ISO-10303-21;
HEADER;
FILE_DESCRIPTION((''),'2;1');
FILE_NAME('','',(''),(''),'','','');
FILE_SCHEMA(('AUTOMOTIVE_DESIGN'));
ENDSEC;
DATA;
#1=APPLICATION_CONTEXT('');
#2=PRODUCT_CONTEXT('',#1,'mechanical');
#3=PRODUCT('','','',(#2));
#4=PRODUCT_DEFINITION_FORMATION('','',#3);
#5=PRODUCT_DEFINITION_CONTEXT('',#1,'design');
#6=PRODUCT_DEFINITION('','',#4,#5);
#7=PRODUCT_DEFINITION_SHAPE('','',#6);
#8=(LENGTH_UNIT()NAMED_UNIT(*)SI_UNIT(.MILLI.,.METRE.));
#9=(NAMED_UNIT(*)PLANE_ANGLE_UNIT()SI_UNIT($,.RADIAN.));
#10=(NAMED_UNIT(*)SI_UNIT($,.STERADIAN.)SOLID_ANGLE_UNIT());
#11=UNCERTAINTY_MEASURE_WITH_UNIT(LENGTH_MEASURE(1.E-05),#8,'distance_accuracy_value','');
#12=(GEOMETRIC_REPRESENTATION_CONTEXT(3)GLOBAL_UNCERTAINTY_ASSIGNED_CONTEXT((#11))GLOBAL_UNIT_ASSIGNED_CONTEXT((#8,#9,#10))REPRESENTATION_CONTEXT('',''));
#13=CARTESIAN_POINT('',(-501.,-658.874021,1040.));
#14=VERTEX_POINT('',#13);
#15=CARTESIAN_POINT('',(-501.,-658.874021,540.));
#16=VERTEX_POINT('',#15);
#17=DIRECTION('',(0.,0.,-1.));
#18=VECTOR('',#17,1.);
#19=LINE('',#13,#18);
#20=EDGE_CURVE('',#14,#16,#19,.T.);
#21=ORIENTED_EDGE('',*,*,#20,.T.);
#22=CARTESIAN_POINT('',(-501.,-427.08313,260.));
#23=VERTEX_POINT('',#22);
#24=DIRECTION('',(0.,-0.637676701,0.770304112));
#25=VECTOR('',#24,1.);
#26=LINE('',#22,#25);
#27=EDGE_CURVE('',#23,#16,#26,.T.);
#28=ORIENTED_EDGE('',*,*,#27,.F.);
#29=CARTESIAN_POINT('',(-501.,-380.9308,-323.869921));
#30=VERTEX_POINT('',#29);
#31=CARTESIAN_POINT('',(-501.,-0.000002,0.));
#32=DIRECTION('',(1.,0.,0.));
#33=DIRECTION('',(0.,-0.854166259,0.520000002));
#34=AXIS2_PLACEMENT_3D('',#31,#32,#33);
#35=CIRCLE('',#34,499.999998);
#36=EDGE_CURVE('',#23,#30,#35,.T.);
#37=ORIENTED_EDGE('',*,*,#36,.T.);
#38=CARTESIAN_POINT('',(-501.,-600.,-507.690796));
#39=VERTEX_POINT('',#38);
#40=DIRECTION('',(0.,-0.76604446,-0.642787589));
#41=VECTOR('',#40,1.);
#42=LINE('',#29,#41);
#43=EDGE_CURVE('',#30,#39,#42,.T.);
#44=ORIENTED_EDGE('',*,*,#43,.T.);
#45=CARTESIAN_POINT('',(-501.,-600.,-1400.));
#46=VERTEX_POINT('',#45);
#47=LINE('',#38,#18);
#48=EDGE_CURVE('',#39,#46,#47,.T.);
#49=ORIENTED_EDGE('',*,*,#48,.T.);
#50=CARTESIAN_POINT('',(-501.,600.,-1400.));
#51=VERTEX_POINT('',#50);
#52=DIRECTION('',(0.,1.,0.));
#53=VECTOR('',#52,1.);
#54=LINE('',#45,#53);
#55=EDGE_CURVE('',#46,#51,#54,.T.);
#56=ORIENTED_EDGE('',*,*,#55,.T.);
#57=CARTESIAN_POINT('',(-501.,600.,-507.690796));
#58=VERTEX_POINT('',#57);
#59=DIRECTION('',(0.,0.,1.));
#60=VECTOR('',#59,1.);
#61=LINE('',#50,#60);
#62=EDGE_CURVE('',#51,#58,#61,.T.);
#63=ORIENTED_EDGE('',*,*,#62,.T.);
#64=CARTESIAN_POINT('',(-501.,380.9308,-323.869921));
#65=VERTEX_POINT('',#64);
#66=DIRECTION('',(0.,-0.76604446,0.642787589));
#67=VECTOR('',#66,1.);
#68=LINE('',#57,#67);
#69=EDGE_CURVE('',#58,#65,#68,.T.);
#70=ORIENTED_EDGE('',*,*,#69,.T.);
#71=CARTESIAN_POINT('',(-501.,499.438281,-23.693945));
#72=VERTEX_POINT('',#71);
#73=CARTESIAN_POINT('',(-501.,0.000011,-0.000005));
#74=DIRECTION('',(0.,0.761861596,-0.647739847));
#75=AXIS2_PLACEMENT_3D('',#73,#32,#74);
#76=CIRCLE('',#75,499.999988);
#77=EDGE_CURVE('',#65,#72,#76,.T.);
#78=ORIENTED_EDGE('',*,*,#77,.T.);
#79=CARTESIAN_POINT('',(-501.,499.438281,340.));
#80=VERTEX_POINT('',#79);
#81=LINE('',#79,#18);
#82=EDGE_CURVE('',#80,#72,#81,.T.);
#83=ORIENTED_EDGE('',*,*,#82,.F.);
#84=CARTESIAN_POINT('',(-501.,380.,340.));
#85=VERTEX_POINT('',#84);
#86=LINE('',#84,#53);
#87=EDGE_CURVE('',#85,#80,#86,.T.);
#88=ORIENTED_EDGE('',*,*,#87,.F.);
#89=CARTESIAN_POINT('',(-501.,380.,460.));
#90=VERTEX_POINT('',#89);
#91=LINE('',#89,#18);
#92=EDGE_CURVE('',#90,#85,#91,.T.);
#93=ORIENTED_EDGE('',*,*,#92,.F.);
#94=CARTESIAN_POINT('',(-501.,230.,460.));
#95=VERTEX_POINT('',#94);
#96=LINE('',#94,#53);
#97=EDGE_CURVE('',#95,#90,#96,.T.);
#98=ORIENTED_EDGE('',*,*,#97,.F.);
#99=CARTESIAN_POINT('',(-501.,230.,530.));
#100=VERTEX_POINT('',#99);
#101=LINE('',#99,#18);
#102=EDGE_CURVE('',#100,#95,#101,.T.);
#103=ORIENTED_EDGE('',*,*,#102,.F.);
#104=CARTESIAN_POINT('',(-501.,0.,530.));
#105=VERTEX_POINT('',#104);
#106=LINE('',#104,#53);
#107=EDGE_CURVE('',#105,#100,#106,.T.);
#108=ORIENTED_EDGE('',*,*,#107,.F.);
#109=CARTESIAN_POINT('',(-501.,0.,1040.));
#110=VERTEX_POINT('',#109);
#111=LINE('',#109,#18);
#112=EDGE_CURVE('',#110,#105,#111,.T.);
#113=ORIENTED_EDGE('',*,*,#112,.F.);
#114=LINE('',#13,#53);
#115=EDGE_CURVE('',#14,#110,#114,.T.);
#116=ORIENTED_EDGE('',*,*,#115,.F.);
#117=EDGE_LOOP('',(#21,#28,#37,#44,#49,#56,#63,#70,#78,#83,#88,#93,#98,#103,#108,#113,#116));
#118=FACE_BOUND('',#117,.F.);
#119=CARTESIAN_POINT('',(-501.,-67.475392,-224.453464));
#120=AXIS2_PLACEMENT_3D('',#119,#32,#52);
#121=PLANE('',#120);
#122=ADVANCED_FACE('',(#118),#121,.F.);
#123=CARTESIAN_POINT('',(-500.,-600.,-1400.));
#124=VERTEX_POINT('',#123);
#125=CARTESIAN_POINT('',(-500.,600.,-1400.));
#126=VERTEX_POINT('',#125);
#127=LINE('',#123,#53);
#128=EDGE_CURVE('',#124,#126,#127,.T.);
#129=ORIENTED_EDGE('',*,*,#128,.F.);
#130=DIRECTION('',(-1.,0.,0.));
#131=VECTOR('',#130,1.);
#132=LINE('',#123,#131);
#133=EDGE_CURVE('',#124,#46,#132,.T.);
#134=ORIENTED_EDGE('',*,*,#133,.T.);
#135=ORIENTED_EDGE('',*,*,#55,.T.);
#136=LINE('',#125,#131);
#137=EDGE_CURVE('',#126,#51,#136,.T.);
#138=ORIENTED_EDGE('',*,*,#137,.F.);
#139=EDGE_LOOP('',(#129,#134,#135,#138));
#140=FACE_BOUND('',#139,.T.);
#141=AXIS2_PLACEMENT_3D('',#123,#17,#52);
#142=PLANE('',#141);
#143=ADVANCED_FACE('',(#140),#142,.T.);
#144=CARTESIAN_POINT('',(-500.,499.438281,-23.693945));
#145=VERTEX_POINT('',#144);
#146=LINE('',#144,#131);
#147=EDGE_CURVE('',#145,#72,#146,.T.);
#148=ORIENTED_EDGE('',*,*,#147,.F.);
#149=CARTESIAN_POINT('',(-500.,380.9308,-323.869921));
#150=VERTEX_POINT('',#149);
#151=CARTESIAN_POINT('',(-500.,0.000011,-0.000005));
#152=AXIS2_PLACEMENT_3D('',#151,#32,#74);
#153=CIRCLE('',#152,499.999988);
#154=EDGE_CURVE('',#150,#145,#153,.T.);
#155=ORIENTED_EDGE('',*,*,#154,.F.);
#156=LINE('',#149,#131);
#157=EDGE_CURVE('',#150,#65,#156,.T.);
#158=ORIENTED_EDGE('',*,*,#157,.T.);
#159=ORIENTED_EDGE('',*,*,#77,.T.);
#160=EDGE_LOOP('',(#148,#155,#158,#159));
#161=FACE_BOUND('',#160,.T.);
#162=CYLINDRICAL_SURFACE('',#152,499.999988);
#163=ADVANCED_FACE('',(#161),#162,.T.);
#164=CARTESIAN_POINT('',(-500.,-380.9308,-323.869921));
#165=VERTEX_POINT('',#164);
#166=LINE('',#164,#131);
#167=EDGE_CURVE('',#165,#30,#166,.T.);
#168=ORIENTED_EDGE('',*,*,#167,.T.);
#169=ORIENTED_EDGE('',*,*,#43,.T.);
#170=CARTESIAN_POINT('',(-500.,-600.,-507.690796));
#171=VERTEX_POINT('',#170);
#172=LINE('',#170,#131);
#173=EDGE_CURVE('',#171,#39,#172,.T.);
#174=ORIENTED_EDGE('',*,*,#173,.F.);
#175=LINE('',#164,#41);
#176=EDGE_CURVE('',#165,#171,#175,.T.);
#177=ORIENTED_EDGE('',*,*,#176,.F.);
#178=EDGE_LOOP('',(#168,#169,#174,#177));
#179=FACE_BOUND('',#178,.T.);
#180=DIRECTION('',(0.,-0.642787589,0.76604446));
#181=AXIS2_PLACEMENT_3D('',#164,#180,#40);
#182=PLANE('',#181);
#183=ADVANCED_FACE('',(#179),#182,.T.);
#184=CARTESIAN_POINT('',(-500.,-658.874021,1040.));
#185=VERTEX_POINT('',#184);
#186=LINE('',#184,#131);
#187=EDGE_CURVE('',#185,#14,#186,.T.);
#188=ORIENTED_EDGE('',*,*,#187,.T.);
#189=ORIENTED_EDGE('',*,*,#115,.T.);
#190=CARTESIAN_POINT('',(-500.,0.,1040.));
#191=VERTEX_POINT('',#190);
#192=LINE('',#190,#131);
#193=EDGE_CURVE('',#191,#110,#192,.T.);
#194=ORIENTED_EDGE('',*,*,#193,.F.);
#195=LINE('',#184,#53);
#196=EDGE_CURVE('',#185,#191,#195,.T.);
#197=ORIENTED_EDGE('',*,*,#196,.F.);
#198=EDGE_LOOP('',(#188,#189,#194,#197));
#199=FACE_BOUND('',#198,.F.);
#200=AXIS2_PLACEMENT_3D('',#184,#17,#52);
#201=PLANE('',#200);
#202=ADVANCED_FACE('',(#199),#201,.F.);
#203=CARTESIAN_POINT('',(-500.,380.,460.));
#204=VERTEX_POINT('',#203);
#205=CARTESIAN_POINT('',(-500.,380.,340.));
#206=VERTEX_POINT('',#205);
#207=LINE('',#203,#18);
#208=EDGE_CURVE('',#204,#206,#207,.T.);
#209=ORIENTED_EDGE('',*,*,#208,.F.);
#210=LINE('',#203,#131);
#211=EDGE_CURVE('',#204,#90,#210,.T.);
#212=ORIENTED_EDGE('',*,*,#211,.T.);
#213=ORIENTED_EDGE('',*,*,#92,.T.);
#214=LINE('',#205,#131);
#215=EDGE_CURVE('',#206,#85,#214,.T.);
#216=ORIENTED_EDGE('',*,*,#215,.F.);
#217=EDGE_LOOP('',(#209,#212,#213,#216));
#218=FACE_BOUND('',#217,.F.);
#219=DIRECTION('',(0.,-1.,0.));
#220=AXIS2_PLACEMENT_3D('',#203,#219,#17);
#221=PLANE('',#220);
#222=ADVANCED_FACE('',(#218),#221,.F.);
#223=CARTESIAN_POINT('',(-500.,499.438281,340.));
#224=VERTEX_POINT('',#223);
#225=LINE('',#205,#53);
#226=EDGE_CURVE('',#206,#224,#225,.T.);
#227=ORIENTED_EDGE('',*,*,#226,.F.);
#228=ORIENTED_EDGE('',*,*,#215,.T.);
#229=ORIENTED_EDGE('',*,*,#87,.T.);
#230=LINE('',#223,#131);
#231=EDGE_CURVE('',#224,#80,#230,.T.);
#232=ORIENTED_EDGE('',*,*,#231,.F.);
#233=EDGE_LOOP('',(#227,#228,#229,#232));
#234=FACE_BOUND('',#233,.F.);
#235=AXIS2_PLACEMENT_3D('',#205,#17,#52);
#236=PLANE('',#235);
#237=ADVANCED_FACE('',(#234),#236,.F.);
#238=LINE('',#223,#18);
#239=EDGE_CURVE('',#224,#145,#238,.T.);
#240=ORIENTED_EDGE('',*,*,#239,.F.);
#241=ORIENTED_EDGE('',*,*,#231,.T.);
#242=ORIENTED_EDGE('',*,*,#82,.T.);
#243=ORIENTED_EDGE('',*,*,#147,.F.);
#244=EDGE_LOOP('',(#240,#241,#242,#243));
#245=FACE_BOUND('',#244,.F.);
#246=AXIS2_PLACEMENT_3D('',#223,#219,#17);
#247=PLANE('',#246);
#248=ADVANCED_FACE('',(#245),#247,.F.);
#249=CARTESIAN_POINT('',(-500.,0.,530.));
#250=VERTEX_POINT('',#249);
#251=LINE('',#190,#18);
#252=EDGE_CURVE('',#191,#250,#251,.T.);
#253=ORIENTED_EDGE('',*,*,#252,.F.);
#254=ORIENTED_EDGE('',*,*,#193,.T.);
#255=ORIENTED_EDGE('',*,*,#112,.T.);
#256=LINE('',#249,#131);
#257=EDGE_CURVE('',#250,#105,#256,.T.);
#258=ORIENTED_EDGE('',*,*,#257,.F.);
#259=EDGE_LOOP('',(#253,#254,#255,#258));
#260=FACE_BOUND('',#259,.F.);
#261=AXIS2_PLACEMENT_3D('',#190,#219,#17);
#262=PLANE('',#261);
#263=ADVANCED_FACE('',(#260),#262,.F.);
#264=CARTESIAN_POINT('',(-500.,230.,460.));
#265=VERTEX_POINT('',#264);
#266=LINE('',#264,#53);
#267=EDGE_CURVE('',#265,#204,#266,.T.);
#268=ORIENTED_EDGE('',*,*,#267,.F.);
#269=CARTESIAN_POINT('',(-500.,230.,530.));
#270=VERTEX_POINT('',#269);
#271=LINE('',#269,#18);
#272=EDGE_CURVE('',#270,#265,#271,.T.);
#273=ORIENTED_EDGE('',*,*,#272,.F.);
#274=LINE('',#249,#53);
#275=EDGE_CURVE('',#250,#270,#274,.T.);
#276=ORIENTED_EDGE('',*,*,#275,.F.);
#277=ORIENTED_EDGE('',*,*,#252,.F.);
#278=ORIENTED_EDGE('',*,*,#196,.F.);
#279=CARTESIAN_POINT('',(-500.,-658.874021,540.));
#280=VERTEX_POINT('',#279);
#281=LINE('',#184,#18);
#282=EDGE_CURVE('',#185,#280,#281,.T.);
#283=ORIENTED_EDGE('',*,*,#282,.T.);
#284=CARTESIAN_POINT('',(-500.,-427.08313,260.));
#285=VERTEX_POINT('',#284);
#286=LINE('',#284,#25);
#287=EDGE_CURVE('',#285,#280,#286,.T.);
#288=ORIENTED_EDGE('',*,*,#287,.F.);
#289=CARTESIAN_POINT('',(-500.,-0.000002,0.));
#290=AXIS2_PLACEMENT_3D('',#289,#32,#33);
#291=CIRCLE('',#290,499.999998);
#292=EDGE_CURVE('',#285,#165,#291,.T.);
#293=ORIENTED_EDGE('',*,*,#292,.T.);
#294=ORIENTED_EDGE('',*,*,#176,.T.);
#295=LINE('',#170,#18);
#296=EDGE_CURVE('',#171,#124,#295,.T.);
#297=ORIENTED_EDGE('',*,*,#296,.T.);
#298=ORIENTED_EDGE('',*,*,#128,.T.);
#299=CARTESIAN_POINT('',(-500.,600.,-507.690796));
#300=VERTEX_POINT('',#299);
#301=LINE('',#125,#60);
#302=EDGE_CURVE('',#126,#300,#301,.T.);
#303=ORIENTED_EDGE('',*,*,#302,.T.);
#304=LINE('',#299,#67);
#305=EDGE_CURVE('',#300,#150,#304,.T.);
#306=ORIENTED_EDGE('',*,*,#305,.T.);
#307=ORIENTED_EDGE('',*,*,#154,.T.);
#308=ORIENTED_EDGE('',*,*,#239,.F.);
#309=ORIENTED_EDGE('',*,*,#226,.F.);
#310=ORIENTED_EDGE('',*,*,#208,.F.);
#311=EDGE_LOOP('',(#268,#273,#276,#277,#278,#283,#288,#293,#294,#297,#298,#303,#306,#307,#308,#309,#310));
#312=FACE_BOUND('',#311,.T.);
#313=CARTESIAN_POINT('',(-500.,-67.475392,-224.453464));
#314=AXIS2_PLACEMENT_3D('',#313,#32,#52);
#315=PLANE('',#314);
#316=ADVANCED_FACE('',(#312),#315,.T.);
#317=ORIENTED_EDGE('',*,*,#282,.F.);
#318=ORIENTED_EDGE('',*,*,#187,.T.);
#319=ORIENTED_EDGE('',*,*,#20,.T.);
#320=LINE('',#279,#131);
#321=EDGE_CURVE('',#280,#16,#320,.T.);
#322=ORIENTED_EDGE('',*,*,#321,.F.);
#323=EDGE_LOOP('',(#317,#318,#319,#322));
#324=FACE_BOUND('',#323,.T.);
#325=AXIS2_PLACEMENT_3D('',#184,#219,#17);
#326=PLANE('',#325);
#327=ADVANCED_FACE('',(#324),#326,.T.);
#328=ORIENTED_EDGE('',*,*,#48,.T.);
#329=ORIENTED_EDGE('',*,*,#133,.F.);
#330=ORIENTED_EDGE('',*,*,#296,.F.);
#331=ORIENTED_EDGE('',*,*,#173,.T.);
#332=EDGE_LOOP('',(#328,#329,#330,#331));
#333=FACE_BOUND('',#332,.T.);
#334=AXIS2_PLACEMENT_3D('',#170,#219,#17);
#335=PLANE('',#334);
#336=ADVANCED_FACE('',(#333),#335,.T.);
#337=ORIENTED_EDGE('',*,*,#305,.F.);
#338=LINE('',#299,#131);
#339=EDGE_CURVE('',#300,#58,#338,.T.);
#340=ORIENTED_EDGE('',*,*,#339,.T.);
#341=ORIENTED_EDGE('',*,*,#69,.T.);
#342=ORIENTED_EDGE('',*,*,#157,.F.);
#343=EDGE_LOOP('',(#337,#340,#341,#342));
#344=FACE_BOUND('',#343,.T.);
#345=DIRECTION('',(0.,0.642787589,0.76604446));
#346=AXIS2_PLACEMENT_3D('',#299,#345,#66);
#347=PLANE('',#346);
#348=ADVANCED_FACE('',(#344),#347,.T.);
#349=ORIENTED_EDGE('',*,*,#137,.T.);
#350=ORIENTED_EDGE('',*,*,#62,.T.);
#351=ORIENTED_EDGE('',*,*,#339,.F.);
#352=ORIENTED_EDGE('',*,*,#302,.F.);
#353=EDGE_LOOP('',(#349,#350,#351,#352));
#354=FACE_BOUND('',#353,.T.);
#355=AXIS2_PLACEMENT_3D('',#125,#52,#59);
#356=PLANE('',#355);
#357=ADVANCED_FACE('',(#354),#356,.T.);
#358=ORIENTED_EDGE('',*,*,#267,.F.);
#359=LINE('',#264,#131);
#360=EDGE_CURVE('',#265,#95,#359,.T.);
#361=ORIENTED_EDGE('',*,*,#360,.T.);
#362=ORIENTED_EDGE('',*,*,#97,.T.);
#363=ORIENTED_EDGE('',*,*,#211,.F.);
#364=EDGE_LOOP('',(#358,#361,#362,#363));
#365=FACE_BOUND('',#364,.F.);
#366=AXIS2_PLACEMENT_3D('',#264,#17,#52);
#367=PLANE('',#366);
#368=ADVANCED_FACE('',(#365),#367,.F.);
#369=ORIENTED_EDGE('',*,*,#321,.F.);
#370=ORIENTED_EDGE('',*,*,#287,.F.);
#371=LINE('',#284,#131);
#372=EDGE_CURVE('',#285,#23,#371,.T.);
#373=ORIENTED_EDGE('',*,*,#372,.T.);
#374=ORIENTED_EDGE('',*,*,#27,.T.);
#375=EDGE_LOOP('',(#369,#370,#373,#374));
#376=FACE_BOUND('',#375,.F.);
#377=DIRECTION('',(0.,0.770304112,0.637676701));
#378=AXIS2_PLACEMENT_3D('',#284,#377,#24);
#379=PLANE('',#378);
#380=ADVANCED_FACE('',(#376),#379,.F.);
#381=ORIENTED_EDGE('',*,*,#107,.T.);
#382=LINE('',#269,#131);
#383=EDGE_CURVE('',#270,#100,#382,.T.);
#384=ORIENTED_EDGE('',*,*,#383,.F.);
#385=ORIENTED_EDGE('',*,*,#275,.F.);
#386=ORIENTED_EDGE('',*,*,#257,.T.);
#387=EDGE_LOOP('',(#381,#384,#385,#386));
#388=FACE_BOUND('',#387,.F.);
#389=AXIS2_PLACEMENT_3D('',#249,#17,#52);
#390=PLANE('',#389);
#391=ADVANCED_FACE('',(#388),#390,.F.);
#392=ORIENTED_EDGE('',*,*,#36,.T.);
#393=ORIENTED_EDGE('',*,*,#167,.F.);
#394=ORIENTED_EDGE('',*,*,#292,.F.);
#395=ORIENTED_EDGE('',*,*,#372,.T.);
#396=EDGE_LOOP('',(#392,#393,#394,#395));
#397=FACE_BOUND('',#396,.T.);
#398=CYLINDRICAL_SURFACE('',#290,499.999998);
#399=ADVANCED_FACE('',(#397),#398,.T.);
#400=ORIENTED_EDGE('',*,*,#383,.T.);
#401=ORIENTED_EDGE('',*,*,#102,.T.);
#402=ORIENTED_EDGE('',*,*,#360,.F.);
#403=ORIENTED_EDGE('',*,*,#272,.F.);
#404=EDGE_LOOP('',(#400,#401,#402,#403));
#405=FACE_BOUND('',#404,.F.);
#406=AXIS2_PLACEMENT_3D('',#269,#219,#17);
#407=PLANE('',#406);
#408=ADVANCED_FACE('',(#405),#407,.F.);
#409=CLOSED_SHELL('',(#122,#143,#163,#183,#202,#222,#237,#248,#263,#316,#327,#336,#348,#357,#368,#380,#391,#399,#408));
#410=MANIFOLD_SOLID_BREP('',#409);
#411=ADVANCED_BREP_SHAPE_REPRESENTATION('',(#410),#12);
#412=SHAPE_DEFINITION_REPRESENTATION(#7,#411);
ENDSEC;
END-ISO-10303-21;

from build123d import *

# Parameters (mm, degrees)
PAD_DEPTH = 1


with BuildPart() as part:
    # Sketch → Pad (new body)
    with BuildSketch(Plane.YZ.offset(-500)):
        with BuildLine():
            ThreePointArc((-427.08313, 260), (-498.445232, -39.399887), (-380.9308, -323.869921))
            Line((-380.9308, -323.869921), (-600, -507.690796))
            Line((-600, -507.690796), (-600, -1400))
            Line((-600, -1400), (600, -1400))
            Line((600, -1400), (600, -507.690796))
            Line((600, -507.690796), (380.9308, -323.869921))
            ThreePointArc((380.9308, -323.869921), (465.068634, -183.606008), (499.438281, -23.693945))
            Line((499.438281, 340), (499.438281, -23.693945))
            Line((380, 340), (499.438281, 340))
            Line((380, 460), (380, 340))
            Line((230, 460), (380, 460))
            Line((230, 530), (230, 460))
            Line((0, 530), (230, 530))
            Line((0, 1040), (0, 530))
            Line((-658.874021, 1040), (0, 1040))
            Line((-658.874021, 1040), (-658.874021, 540))
            Line((-427.08313, 260), (-658.874021, 540))
        make_face()
    extrude(amount=-PAD_DEPTH)


solid = part.part
